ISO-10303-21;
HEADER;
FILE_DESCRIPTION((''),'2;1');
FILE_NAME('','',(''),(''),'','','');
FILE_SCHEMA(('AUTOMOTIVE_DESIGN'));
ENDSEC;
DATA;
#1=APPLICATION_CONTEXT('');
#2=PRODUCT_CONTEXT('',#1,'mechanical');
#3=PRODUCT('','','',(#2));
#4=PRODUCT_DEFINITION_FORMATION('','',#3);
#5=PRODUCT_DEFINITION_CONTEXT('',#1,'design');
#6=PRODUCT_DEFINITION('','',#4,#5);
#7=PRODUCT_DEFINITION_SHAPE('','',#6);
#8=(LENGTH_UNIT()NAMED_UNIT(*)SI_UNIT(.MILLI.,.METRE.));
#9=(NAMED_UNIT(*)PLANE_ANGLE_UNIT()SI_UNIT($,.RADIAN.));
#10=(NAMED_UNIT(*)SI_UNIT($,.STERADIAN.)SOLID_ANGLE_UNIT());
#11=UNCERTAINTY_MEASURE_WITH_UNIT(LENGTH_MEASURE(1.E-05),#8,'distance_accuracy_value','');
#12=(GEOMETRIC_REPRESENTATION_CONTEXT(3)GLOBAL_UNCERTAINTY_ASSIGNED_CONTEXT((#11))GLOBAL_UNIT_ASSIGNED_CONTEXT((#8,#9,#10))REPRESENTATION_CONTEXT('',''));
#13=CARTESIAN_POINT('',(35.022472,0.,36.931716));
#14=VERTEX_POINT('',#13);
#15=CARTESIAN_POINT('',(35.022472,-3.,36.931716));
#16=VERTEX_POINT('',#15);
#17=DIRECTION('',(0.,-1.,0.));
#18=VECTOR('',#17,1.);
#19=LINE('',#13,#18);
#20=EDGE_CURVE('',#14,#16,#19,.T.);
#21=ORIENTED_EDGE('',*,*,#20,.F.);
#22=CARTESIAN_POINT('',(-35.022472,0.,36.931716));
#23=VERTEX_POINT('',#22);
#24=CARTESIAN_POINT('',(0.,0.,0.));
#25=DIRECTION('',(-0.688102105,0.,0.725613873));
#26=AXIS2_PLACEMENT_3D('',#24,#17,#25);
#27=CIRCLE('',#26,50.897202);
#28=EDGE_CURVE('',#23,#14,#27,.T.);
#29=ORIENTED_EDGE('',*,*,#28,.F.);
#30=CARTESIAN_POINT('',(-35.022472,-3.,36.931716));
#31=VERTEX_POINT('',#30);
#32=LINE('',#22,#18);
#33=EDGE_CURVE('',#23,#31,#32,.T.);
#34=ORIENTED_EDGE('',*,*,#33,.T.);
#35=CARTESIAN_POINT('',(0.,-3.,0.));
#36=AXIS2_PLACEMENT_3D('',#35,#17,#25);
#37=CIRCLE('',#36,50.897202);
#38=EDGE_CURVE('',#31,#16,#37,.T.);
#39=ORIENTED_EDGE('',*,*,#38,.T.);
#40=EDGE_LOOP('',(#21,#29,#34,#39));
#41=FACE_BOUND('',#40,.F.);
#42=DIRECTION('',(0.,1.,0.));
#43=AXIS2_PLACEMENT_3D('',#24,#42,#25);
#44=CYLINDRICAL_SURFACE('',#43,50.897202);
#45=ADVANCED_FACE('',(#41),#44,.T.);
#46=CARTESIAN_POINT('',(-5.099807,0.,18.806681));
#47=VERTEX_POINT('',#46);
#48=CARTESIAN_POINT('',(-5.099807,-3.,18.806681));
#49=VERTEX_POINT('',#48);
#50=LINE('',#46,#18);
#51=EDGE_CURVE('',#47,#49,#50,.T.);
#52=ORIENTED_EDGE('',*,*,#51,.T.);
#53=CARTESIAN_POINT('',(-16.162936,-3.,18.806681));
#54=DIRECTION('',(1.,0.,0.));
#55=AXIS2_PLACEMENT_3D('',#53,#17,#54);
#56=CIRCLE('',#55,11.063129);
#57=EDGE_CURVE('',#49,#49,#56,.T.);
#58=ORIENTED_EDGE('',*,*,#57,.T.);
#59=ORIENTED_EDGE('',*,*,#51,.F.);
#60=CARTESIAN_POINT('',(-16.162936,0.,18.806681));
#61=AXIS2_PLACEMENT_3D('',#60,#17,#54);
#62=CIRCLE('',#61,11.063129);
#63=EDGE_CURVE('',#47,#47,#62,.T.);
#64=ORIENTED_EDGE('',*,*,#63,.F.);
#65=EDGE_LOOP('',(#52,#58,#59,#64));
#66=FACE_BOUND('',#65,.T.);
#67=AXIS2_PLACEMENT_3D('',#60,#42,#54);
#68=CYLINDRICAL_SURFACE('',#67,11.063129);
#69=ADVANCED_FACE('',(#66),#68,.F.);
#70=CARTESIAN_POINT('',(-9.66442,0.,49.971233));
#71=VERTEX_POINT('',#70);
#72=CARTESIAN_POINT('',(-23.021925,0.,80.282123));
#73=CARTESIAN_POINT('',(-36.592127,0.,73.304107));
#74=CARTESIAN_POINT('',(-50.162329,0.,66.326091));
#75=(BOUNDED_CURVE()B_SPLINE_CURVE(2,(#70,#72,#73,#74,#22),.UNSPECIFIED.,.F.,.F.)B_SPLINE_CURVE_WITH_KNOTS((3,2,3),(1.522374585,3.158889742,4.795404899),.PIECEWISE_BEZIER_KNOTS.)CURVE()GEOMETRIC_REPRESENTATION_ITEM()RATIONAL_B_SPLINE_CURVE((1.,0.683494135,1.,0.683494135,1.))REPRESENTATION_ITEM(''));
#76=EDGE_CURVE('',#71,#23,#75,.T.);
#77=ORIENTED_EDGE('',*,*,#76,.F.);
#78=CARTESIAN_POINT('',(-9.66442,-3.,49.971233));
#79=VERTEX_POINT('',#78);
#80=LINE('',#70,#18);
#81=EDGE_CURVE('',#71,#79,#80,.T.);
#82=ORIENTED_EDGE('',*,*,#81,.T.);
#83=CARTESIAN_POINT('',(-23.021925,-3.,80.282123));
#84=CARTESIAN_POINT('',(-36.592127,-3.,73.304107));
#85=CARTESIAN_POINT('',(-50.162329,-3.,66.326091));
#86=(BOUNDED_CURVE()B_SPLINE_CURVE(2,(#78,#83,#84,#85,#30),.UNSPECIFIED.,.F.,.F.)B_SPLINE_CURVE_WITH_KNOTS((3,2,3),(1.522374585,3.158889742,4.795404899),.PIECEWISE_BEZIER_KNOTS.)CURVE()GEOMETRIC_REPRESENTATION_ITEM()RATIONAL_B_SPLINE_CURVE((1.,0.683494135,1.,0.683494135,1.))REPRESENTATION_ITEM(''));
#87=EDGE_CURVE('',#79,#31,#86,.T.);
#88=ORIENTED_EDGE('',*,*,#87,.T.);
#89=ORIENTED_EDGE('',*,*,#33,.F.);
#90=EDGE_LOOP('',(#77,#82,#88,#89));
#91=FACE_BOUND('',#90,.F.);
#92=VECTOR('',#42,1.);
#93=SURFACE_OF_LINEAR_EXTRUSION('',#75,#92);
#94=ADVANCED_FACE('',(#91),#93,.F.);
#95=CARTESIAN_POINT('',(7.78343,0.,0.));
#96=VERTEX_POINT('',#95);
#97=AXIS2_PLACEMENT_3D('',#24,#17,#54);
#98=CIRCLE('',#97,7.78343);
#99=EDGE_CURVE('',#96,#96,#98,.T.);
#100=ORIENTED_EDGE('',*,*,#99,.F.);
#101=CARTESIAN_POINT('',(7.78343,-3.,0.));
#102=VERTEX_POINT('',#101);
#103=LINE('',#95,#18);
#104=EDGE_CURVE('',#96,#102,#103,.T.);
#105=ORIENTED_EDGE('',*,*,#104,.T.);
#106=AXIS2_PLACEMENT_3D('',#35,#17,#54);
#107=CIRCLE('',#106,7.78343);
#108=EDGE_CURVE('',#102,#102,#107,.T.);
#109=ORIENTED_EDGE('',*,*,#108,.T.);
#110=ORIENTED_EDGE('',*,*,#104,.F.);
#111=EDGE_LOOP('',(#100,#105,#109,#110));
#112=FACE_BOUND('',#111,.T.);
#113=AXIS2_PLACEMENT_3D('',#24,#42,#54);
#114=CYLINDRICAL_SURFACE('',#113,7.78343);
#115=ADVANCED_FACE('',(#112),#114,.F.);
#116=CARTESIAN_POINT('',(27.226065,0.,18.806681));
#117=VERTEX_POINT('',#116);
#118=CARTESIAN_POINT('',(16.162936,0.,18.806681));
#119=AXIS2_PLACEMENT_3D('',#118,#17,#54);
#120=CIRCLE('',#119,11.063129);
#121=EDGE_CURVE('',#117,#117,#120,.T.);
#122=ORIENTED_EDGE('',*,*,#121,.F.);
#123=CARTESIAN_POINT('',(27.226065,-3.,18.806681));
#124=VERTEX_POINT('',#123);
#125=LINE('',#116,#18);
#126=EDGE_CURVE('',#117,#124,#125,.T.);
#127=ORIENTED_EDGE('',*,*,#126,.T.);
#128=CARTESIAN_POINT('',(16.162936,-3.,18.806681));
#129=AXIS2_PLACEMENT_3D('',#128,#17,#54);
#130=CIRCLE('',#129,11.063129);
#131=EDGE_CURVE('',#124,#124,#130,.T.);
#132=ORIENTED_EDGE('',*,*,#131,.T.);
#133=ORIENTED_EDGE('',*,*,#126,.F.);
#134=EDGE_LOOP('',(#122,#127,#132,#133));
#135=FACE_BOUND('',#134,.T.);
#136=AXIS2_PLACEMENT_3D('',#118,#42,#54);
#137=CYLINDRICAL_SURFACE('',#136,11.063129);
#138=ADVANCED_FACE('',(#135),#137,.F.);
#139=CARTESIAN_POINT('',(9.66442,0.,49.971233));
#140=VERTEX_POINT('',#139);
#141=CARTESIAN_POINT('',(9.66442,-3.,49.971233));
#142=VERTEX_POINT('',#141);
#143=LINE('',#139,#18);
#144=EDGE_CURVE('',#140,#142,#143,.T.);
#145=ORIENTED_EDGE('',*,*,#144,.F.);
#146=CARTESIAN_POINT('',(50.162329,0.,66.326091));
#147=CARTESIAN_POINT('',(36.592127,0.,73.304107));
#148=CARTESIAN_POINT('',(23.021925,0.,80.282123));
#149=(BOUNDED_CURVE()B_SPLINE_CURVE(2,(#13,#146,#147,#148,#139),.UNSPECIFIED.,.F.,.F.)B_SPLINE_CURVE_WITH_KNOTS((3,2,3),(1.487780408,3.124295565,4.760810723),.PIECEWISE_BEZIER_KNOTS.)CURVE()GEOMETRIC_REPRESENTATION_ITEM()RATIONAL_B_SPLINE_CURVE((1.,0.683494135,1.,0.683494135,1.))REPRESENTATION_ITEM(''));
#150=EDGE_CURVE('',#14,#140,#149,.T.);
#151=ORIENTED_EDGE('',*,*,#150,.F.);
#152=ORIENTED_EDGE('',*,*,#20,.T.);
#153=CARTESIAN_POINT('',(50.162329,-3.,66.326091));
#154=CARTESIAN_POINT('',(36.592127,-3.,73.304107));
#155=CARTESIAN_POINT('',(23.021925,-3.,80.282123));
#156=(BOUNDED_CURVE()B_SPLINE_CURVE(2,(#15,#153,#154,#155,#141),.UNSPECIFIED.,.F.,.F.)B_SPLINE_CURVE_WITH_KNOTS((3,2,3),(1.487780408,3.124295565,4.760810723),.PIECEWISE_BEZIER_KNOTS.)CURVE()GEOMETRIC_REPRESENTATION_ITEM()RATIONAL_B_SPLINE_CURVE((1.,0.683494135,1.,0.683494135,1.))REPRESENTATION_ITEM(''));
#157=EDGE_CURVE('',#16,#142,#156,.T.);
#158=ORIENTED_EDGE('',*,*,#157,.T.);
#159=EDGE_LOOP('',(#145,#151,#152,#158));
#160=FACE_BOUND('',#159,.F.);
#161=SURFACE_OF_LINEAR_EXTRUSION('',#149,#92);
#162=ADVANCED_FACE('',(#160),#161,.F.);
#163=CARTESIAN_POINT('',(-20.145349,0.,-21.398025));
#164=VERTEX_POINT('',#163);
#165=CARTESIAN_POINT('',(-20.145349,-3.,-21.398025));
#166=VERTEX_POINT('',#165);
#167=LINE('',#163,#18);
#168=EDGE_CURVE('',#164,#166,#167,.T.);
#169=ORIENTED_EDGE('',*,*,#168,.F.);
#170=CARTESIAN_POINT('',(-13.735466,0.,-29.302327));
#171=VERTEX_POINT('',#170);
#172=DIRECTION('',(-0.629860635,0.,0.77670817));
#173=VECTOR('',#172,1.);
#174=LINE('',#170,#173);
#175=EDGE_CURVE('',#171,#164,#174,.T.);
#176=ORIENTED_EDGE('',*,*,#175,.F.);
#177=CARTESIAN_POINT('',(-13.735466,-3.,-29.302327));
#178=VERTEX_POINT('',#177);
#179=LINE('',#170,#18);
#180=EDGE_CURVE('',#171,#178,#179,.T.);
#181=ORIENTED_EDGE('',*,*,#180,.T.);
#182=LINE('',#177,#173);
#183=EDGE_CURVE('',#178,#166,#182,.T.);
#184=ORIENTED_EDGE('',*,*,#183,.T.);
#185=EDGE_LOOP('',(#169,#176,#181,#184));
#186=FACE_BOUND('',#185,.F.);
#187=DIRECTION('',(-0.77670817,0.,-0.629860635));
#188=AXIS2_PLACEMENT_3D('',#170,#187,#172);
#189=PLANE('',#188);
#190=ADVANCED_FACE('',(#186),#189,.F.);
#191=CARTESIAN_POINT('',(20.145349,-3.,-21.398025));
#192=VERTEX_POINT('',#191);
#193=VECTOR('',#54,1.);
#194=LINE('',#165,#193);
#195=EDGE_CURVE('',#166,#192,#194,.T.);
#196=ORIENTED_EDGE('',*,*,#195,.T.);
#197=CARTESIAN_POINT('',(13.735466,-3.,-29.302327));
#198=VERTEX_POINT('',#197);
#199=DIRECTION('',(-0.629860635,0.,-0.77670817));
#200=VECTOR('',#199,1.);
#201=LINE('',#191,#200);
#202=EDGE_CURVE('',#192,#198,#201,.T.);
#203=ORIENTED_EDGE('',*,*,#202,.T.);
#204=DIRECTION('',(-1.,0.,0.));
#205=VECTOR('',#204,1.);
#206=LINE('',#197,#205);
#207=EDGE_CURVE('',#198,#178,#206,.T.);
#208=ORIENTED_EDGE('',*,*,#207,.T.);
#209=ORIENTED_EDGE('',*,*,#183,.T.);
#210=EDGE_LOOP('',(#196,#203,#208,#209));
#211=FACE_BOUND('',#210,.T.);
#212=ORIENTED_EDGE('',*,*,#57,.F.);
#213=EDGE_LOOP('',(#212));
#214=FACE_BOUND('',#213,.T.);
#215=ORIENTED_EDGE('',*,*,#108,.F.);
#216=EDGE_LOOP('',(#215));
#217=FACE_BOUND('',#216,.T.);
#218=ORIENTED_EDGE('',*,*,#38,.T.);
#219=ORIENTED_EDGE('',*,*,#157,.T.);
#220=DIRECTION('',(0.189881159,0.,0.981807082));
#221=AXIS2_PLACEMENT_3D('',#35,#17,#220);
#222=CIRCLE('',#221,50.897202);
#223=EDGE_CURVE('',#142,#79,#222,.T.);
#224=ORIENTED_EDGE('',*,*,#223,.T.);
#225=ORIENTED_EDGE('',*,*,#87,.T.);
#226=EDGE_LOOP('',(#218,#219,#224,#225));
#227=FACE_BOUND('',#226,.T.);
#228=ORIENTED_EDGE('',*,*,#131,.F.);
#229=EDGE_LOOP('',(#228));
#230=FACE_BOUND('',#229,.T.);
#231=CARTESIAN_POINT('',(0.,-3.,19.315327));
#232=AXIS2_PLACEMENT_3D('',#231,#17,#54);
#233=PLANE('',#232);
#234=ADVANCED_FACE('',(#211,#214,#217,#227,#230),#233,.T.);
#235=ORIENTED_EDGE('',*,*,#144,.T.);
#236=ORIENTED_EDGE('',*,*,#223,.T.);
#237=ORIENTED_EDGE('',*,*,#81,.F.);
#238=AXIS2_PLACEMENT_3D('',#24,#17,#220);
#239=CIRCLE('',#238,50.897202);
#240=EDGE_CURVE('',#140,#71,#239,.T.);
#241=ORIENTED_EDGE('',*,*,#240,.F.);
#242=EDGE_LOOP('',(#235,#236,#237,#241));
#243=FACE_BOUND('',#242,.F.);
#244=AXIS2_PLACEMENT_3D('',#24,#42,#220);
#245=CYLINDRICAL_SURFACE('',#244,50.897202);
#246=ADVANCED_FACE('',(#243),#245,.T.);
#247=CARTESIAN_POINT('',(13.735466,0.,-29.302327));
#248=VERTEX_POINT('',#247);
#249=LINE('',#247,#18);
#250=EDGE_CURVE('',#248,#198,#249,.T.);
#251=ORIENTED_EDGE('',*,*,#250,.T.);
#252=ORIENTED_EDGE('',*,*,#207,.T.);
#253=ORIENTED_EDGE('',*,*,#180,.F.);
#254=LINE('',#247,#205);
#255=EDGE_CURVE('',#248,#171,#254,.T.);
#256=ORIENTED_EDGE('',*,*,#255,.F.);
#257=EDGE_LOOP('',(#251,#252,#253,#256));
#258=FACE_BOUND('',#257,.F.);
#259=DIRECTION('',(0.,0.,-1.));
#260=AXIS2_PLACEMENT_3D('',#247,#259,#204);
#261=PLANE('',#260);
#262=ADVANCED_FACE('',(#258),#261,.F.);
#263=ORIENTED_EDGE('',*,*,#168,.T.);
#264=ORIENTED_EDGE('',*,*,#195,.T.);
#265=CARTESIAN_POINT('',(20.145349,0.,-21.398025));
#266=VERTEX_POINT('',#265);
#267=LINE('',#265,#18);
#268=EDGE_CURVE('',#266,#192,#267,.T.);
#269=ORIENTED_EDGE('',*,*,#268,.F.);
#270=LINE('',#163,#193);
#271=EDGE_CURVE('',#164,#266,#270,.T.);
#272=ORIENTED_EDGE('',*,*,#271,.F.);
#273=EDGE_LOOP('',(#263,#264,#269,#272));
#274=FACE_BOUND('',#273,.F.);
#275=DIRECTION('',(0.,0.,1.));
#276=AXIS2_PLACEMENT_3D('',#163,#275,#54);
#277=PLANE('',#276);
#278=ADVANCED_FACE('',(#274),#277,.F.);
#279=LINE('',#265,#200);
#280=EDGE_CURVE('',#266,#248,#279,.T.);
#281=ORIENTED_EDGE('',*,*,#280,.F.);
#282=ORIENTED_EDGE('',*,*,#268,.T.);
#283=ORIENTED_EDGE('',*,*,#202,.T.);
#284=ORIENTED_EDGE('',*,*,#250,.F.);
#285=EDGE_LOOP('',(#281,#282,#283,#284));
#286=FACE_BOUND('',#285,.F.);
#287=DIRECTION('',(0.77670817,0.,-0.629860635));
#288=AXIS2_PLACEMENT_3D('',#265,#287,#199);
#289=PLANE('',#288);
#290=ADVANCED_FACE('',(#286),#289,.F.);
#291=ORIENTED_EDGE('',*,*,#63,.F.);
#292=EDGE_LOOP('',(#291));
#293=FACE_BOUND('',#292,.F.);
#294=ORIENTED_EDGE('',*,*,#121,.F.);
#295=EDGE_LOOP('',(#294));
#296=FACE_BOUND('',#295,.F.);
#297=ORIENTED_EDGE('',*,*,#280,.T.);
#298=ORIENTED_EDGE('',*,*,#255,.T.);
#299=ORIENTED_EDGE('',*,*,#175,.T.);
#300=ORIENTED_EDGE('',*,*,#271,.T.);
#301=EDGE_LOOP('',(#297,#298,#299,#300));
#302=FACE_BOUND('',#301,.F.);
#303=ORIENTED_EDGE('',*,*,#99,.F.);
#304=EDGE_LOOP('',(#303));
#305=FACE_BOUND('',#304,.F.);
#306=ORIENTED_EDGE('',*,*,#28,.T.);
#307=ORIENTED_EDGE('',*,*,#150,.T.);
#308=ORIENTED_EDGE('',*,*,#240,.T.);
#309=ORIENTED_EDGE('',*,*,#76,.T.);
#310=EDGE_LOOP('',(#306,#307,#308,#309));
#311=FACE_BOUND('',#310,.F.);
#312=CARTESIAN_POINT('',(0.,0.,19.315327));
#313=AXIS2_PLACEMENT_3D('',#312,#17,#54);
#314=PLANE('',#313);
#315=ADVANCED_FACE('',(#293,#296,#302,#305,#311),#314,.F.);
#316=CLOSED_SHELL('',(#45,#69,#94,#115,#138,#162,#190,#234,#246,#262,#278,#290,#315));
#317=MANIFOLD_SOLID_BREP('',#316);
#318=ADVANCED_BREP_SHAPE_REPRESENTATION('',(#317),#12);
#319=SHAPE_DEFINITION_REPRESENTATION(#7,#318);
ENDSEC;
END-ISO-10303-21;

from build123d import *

# Parameters (mm, degrees)
F0_R     = 7.7834301628
F0_R_2   = 11.0631292908
F1_DEPTH = 3


with BuildPart() as f1:
    # F0 (on Front) → F1 (new body)
    with BuildSketch(Plane.XZ):
        with BuildLine():
            add(Edge.make_bspline(
                [(35.022471909, 36.9317159104), (50.1623293635, 66.3260911324), (36.5921272811, 73.3041068925), (23.0219251988, 80.2821226526), (9.6644197358, 49.9712334236)],
                knots=[1.4877804078, 1.4877804078, 1.4877804078, 3.1242955652, 3.1242955652, 4.7608107226, 4.7608107226, 4.7608107226], degree=2, weights=[1, 0.6834941351, 1, 0.6834941351, 1]))
            ThreePointArc((9.6644197358, 49.9712334236), (0, 50.8972020715), (-9.6644197358, 49.9712334236))
            add(Edge.make_bspline(
                [(-9.6644197358, 49.9712334236), (-23.0219251988, 80.2821226526), (-36.5921272811, 73.3041068925), (-50.1623293635, 66.3260911324), (-35.022471909, 36.9317159104)],
                knots=[1.5223745846, 1.5223745846, 1.5223745846, 3.158889742, 3.158889742, 4.7954048994, 4.7954048994, 4.7954048994], degree=2, weights=[1, 0.6834941351, 1, 0.6834941351, 1]))
            ThreePointArc((-35.022471909, 36.9317159104), (0, -50.8972020715), (35.022471909, 36.9317159104))
        make_face()
        Polygon((-20.1453492045, -21.3980246335), (0, -21.3980246335), (20.1453492045, -21.3980246335), (13.7354657054, -29.3023269624), (-13.7354657054, -29.3023269624), align=None, mode=Mode.SUBTRACT)
        Circle(F0_R, mode=Mode.SUBTRACT)
        with Locations((-16.1629359797, 18.8066806758)):
            Circle(F0_R_2, mode=Mode.SUBTRACT)
        with Locations((16.1629359797, 18.8066806758)):
            Circle(F0_R_2, mode=Mode.SUBTRACT)
    extrude(amount=F1_DEPTH)


solid = f1.part
